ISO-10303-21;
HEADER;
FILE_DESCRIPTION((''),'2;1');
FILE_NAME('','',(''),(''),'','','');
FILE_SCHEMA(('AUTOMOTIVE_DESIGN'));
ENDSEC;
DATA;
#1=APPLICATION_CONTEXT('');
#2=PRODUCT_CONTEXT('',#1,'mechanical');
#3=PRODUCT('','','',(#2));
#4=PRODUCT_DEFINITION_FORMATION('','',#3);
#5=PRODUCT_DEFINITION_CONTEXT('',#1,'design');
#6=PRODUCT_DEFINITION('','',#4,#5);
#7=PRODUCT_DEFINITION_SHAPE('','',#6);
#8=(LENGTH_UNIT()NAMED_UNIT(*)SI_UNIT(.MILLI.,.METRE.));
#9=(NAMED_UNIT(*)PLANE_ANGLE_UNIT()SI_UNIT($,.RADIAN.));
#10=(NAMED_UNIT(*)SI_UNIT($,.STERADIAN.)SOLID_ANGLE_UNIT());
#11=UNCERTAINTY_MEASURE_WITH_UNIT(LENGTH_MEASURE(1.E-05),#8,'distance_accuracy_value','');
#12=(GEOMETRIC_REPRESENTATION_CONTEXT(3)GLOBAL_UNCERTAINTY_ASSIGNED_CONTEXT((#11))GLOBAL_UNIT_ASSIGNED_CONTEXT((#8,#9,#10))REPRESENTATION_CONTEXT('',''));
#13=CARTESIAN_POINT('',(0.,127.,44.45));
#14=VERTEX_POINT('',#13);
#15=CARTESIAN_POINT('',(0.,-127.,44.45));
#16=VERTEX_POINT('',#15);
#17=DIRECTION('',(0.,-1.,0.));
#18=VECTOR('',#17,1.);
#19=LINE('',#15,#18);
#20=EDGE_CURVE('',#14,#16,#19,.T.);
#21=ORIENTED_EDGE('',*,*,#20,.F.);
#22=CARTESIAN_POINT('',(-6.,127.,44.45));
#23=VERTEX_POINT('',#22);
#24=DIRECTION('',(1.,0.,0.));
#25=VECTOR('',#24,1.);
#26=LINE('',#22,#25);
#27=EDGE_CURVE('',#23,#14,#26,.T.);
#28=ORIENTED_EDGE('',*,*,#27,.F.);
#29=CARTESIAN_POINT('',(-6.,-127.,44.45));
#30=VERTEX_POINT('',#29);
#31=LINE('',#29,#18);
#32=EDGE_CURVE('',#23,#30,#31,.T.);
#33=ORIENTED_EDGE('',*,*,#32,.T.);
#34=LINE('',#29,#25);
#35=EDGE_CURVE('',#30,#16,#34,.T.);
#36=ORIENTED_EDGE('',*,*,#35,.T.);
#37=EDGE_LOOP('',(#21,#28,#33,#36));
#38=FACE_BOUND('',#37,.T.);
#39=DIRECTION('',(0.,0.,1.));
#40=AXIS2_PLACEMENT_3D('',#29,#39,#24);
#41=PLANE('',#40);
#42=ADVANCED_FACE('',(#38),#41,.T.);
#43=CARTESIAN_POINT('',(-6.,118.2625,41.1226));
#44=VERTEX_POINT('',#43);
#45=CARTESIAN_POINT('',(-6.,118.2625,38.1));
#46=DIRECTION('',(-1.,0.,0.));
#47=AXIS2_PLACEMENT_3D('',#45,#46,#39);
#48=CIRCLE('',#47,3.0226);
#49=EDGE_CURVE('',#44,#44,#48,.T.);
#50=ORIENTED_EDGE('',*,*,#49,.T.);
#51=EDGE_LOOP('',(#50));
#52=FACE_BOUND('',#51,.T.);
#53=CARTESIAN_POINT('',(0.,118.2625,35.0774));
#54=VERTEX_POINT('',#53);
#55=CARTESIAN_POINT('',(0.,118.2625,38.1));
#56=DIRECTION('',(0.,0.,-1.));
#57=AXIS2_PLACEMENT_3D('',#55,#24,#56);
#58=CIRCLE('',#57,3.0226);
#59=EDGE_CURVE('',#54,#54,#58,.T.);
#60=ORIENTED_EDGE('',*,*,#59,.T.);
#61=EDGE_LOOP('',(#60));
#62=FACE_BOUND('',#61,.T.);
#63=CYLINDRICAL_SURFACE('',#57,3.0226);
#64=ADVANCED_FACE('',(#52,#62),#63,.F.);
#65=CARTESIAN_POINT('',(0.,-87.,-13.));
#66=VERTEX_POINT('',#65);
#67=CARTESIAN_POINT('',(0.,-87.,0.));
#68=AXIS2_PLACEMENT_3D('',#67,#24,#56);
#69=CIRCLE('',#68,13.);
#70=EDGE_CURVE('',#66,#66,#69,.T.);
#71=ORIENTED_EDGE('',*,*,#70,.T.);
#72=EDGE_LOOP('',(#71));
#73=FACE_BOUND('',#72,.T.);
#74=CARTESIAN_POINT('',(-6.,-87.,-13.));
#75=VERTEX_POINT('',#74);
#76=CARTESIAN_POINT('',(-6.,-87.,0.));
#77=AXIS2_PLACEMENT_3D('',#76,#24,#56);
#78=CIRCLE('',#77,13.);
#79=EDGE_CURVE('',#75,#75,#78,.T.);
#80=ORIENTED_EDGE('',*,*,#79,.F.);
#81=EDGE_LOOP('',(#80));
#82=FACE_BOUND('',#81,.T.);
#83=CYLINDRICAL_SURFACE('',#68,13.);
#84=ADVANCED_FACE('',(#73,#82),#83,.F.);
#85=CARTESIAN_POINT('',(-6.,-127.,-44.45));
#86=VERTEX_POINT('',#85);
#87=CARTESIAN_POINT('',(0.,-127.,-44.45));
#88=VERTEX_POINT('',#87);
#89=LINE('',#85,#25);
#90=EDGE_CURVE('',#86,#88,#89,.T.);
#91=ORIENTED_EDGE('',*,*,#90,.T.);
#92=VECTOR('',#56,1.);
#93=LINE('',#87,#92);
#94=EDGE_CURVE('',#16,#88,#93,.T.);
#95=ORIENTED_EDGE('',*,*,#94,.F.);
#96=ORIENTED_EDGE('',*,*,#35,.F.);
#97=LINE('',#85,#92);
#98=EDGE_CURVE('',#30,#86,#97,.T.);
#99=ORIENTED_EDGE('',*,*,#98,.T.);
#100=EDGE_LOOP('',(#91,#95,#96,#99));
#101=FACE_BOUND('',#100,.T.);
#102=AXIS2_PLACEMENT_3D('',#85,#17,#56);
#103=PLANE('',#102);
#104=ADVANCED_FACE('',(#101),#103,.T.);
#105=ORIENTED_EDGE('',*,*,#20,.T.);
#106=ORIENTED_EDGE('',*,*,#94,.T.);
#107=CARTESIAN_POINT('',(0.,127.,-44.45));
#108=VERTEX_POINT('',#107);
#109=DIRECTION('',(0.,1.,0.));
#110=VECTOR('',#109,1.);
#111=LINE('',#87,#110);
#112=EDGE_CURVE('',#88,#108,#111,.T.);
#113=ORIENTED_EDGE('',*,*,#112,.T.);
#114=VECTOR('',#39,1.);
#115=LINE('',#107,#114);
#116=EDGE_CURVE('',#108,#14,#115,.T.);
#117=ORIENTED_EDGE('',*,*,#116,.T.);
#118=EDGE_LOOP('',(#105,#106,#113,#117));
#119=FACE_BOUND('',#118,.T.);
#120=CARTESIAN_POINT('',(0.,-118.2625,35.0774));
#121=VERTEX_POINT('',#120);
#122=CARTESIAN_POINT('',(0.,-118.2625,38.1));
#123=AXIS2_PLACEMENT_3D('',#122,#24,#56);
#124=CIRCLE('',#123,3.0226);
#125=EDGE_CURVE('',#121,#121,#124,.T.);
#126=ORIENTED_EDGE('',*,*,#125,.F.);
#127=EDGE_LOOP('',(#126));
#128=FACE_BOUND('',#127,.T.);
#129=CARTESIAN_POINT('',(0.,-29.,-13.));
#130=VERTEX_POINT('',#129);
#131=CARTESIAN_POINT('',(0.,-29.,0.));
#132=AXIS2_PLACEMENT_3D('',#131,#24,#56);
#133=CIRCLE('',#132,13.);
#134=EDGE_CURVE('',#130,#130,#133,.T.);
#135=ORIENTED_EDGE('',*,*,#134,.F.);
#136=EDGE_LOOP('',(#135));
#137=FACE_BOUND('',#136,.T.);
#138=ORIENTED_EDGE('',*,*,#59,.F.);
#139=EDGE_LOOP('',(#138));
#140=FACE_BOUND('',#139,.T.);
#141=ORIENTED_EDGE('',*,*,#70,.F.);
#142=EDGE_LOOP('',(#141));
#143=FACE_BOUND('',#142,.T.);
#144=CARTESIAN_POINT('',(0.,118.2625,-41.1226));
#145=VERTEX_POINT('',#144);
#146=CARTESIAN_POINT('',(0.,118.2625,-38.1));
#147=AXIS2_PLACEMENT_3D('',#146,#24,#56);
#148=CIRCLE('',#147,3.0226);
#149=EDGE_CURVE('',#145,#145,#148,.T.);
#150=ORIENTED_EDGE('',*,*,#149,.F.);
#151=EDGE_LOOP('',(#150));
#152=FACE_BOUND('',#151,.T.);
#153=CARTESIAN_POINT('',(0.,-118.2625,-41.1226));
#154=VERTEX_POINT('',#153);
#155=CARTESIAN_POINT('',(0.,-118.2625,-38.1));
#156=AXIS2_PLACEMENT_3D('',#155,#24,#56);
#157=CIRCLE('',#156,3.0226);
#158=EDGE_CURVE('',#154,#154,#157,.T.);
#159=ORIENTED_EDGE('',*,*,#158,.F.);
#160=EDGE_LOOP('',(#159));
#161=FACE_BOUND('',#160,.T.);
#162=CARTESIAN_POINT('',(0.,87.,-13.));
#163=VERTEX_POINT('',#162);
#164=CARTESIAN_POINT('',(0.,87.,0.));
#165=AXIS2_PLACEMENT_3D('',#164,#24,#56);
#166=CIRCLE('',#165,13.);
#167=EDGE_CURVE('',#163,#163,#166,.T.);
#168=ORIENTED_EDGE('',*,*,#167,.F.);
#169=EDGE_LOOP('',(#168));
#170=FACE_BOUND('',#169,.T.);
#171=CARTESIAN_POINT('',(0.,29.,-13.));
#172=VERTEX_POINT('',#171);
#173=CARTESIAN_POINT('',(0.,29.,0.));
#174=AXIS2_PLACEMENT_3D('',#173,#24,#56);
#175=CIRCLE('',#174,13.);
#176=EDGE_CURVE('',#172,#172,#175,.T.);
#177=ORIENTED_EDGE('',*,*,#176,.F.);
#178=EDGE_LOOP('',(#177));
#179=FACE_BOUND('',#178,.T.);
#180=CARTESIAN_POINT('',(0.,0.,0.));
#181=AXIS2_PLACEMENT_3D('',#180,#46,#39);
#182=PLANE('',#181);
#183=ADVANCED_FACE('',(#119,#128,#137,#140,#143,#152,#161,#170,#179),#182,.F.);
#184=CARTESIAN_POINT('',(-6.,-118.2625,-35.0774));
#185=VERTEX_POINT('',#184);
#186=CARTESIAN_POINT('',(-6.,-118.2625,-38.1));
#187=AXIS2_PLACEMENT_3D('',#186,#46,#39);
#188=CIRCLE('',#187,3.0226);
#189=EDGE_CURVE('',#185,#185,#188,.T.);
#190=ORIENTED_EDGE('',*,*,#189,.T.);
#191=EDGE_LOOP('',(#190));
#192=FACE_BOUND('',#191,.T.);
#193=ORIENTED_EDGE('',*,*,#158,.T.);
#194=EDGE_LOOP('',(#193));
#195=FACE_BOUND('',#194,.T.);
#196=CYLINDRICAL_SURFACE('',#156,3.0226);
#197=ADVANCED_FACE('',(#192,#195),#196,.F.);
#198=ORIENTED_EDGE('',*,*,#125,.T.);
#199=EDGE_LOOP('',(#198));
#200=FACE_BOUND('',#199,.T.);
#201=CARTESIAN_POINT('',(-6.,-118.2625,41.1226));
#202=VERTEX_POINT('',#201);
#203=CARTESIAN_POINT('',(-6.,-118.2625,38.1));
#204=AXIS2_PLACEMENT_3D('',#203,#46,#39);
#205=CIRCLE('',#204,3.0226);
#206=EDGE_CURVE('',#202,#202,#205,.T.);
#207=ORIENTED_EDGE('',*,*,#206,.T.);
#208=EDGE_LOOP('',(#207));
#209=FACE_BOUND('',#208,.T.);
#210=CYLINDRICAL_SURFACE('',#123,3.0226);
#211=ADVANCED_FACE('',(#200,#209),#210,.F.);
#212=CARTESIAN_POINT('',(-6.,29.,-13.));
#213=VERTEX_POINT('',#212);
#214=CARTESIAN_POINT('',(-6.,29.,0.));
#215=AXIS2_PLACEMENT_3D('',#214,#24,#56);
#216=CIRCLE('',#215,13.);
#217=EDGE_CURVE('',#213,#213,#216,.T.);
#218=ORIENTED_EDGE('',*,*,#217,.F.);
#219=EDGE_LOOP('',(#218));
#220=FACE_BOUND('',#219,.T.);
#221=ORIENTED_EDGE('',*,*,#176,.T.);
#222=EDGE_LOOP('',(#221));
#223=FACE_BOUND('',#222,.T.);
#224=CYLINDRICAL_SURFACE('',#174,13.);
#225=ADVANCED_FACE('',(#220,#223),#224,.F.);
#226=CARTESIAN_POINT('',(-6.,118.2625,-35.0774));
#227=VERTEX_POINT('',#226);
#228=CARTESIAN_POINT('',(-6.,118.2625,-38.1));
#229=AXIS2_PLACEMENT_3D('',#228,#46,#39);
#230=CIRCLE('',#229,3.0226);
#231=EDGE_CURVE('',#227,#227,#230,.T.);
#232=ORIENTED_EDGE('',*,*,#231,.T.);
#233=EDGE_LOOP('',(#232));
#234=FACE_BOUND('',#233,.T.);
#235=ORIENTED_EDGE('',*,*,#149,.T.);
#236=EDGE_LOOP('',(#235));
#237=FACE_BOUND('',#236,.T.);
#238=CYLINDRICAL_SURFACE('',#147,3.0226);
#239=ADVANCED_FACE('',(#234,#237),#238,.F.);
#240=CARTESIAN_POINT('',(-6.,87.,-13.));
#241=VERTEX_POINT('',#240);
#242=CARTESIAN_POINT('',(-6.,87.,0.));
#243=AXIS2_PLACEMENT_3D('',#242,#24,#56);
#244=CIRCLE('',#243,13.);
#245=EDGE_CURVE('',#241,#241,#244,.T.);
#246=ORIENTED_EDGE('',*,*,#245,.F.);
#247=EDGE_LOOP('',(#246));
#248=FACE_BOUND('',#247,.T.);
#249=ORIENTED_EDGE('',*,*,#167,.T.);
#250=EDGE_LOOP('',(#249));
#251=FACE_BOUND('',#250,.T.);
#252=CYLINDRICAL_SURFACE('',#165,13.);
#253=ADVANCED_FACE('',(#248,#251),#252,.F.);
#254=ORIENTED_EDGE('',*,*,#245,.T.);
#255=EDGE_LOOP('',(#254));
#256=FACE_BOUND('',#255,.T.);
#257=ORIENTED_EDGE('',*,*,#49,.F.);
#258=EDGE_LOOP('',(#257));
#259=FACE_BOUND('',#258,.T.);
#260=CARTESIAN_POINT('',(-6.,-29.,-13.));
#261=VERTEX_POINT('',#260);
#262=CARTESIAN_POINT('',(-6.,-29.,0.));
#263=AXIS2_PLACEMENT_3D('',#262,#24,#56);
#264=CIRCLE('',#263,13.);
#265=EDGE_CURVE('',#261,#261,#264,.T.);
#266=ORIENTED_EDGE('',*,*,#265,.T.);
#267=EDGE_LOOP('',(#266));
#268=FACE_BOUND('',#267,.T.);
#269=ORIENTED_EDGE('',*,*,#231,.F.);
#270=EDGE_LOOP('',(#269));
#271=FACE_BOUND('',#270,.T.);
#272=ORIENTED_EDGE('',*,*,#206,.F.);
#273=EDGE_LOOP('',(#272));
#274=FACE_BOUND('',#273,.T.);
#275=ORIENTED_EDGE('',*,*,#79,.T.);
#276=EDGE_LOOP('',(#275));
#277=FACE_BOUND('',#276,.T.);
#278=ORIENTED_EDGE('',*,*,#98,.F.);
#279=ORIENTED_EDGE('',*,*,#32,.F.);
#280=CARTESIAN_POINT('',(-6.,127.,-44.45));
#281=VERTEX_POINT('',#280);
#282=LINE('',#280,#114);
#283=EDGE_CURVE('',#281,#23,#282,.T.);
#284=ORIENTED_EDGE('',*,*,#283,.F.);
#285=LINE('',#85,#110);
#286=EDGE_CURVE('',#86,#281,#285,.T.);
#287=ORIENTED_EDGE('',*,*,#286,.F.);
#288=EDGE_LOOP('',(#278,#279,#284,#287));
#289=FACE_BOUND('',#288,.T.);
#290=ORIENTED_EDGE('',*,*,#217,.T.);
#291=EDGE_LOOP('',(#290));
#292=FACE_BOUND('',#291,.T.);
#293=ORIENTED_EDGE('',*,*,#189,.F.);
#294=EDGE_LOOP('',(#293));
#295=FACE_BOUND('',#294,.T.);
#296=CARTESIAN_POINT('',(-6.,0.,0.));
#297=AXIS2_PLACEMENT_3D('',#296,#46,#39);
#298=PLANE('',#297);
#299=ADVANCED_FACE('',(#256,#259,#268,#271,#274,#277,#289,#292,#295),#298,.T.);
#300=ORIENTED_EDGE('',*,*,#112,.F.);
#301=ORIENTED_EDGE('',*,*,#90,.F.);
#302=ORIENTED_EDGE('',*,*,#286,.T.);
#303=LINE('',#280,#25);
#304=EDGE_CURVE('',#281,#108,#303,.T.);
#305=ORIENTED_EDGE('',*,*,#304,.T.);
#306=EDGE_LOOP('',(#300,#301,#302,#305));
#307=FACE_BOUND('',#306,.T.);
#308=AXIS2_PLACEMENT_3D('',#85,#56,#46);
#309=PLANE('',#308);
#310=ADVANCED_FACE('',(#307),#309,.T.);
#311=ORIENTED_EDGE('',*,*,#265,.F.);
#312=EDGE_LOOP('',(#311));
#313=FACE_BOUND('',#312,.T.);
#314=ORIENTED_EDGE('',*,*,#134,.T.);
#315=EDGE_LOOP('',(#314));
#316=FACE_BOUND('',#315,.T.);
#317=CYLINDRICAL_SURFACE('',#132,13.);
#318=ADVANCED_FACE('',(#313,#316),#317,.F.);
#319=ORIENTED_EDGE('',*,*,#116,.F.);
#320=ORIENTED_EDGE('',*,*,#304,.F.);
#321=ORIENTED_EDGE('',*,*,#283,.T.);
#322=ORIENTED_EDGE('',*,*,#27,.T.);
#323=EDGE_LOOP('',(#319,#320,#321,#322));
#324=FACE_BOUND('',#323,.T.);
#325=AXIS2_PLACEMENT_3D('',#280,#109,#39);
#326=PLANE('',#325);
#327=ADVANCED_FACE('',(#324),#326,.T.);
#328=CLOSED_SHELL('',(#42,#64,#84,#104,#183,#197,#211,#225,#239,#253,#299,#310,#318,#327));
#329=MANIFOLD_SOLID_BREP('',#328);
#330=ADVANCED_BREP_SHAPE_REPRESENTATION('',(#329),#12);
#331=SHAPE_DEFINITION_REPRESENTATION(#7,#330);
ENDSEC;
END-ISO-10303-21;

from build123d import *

# Parameters (mm, degrees)
SKETCH1_W              = 254
SKETCH1_H              = 88.9
BOSS_EXTRUDE1_DEPTH    = 6
F_10_CLEARANCE_HOLE1_D = 6.0452
M22_CLEARANCE_HOLE1_D  = 26


with BuildPart() as part:
    # Sketch1 → Boss-Extrude1 (new body)
    with BuildSketch(Plane.YZ):
        Rectangle(SKETCH1_W, SKETCH1_H)
    extrude(amount=-BOSS_EXTRUDE1_DEPTH)

    # #10 Clearance Hole1 (through all)
    with Locations(Plane.YZ):
        with Locations((118.2625, 38.1), (-118.2625, 38.1), (-118.2625, -38.1), (118.2625, -38.1)):
            Hole(F_10_CLEARANCE_HOLE1_D / 2)

    # M22 Clearance Hole1 (through all)
    with Locations(Plane.YZ):
        with Locations((87, 0), (29, 0), (-29, 0), (-87, 0)):
            Hole(M22_CLEARANCE_HOLE1_D / 2)


solid = part.part
